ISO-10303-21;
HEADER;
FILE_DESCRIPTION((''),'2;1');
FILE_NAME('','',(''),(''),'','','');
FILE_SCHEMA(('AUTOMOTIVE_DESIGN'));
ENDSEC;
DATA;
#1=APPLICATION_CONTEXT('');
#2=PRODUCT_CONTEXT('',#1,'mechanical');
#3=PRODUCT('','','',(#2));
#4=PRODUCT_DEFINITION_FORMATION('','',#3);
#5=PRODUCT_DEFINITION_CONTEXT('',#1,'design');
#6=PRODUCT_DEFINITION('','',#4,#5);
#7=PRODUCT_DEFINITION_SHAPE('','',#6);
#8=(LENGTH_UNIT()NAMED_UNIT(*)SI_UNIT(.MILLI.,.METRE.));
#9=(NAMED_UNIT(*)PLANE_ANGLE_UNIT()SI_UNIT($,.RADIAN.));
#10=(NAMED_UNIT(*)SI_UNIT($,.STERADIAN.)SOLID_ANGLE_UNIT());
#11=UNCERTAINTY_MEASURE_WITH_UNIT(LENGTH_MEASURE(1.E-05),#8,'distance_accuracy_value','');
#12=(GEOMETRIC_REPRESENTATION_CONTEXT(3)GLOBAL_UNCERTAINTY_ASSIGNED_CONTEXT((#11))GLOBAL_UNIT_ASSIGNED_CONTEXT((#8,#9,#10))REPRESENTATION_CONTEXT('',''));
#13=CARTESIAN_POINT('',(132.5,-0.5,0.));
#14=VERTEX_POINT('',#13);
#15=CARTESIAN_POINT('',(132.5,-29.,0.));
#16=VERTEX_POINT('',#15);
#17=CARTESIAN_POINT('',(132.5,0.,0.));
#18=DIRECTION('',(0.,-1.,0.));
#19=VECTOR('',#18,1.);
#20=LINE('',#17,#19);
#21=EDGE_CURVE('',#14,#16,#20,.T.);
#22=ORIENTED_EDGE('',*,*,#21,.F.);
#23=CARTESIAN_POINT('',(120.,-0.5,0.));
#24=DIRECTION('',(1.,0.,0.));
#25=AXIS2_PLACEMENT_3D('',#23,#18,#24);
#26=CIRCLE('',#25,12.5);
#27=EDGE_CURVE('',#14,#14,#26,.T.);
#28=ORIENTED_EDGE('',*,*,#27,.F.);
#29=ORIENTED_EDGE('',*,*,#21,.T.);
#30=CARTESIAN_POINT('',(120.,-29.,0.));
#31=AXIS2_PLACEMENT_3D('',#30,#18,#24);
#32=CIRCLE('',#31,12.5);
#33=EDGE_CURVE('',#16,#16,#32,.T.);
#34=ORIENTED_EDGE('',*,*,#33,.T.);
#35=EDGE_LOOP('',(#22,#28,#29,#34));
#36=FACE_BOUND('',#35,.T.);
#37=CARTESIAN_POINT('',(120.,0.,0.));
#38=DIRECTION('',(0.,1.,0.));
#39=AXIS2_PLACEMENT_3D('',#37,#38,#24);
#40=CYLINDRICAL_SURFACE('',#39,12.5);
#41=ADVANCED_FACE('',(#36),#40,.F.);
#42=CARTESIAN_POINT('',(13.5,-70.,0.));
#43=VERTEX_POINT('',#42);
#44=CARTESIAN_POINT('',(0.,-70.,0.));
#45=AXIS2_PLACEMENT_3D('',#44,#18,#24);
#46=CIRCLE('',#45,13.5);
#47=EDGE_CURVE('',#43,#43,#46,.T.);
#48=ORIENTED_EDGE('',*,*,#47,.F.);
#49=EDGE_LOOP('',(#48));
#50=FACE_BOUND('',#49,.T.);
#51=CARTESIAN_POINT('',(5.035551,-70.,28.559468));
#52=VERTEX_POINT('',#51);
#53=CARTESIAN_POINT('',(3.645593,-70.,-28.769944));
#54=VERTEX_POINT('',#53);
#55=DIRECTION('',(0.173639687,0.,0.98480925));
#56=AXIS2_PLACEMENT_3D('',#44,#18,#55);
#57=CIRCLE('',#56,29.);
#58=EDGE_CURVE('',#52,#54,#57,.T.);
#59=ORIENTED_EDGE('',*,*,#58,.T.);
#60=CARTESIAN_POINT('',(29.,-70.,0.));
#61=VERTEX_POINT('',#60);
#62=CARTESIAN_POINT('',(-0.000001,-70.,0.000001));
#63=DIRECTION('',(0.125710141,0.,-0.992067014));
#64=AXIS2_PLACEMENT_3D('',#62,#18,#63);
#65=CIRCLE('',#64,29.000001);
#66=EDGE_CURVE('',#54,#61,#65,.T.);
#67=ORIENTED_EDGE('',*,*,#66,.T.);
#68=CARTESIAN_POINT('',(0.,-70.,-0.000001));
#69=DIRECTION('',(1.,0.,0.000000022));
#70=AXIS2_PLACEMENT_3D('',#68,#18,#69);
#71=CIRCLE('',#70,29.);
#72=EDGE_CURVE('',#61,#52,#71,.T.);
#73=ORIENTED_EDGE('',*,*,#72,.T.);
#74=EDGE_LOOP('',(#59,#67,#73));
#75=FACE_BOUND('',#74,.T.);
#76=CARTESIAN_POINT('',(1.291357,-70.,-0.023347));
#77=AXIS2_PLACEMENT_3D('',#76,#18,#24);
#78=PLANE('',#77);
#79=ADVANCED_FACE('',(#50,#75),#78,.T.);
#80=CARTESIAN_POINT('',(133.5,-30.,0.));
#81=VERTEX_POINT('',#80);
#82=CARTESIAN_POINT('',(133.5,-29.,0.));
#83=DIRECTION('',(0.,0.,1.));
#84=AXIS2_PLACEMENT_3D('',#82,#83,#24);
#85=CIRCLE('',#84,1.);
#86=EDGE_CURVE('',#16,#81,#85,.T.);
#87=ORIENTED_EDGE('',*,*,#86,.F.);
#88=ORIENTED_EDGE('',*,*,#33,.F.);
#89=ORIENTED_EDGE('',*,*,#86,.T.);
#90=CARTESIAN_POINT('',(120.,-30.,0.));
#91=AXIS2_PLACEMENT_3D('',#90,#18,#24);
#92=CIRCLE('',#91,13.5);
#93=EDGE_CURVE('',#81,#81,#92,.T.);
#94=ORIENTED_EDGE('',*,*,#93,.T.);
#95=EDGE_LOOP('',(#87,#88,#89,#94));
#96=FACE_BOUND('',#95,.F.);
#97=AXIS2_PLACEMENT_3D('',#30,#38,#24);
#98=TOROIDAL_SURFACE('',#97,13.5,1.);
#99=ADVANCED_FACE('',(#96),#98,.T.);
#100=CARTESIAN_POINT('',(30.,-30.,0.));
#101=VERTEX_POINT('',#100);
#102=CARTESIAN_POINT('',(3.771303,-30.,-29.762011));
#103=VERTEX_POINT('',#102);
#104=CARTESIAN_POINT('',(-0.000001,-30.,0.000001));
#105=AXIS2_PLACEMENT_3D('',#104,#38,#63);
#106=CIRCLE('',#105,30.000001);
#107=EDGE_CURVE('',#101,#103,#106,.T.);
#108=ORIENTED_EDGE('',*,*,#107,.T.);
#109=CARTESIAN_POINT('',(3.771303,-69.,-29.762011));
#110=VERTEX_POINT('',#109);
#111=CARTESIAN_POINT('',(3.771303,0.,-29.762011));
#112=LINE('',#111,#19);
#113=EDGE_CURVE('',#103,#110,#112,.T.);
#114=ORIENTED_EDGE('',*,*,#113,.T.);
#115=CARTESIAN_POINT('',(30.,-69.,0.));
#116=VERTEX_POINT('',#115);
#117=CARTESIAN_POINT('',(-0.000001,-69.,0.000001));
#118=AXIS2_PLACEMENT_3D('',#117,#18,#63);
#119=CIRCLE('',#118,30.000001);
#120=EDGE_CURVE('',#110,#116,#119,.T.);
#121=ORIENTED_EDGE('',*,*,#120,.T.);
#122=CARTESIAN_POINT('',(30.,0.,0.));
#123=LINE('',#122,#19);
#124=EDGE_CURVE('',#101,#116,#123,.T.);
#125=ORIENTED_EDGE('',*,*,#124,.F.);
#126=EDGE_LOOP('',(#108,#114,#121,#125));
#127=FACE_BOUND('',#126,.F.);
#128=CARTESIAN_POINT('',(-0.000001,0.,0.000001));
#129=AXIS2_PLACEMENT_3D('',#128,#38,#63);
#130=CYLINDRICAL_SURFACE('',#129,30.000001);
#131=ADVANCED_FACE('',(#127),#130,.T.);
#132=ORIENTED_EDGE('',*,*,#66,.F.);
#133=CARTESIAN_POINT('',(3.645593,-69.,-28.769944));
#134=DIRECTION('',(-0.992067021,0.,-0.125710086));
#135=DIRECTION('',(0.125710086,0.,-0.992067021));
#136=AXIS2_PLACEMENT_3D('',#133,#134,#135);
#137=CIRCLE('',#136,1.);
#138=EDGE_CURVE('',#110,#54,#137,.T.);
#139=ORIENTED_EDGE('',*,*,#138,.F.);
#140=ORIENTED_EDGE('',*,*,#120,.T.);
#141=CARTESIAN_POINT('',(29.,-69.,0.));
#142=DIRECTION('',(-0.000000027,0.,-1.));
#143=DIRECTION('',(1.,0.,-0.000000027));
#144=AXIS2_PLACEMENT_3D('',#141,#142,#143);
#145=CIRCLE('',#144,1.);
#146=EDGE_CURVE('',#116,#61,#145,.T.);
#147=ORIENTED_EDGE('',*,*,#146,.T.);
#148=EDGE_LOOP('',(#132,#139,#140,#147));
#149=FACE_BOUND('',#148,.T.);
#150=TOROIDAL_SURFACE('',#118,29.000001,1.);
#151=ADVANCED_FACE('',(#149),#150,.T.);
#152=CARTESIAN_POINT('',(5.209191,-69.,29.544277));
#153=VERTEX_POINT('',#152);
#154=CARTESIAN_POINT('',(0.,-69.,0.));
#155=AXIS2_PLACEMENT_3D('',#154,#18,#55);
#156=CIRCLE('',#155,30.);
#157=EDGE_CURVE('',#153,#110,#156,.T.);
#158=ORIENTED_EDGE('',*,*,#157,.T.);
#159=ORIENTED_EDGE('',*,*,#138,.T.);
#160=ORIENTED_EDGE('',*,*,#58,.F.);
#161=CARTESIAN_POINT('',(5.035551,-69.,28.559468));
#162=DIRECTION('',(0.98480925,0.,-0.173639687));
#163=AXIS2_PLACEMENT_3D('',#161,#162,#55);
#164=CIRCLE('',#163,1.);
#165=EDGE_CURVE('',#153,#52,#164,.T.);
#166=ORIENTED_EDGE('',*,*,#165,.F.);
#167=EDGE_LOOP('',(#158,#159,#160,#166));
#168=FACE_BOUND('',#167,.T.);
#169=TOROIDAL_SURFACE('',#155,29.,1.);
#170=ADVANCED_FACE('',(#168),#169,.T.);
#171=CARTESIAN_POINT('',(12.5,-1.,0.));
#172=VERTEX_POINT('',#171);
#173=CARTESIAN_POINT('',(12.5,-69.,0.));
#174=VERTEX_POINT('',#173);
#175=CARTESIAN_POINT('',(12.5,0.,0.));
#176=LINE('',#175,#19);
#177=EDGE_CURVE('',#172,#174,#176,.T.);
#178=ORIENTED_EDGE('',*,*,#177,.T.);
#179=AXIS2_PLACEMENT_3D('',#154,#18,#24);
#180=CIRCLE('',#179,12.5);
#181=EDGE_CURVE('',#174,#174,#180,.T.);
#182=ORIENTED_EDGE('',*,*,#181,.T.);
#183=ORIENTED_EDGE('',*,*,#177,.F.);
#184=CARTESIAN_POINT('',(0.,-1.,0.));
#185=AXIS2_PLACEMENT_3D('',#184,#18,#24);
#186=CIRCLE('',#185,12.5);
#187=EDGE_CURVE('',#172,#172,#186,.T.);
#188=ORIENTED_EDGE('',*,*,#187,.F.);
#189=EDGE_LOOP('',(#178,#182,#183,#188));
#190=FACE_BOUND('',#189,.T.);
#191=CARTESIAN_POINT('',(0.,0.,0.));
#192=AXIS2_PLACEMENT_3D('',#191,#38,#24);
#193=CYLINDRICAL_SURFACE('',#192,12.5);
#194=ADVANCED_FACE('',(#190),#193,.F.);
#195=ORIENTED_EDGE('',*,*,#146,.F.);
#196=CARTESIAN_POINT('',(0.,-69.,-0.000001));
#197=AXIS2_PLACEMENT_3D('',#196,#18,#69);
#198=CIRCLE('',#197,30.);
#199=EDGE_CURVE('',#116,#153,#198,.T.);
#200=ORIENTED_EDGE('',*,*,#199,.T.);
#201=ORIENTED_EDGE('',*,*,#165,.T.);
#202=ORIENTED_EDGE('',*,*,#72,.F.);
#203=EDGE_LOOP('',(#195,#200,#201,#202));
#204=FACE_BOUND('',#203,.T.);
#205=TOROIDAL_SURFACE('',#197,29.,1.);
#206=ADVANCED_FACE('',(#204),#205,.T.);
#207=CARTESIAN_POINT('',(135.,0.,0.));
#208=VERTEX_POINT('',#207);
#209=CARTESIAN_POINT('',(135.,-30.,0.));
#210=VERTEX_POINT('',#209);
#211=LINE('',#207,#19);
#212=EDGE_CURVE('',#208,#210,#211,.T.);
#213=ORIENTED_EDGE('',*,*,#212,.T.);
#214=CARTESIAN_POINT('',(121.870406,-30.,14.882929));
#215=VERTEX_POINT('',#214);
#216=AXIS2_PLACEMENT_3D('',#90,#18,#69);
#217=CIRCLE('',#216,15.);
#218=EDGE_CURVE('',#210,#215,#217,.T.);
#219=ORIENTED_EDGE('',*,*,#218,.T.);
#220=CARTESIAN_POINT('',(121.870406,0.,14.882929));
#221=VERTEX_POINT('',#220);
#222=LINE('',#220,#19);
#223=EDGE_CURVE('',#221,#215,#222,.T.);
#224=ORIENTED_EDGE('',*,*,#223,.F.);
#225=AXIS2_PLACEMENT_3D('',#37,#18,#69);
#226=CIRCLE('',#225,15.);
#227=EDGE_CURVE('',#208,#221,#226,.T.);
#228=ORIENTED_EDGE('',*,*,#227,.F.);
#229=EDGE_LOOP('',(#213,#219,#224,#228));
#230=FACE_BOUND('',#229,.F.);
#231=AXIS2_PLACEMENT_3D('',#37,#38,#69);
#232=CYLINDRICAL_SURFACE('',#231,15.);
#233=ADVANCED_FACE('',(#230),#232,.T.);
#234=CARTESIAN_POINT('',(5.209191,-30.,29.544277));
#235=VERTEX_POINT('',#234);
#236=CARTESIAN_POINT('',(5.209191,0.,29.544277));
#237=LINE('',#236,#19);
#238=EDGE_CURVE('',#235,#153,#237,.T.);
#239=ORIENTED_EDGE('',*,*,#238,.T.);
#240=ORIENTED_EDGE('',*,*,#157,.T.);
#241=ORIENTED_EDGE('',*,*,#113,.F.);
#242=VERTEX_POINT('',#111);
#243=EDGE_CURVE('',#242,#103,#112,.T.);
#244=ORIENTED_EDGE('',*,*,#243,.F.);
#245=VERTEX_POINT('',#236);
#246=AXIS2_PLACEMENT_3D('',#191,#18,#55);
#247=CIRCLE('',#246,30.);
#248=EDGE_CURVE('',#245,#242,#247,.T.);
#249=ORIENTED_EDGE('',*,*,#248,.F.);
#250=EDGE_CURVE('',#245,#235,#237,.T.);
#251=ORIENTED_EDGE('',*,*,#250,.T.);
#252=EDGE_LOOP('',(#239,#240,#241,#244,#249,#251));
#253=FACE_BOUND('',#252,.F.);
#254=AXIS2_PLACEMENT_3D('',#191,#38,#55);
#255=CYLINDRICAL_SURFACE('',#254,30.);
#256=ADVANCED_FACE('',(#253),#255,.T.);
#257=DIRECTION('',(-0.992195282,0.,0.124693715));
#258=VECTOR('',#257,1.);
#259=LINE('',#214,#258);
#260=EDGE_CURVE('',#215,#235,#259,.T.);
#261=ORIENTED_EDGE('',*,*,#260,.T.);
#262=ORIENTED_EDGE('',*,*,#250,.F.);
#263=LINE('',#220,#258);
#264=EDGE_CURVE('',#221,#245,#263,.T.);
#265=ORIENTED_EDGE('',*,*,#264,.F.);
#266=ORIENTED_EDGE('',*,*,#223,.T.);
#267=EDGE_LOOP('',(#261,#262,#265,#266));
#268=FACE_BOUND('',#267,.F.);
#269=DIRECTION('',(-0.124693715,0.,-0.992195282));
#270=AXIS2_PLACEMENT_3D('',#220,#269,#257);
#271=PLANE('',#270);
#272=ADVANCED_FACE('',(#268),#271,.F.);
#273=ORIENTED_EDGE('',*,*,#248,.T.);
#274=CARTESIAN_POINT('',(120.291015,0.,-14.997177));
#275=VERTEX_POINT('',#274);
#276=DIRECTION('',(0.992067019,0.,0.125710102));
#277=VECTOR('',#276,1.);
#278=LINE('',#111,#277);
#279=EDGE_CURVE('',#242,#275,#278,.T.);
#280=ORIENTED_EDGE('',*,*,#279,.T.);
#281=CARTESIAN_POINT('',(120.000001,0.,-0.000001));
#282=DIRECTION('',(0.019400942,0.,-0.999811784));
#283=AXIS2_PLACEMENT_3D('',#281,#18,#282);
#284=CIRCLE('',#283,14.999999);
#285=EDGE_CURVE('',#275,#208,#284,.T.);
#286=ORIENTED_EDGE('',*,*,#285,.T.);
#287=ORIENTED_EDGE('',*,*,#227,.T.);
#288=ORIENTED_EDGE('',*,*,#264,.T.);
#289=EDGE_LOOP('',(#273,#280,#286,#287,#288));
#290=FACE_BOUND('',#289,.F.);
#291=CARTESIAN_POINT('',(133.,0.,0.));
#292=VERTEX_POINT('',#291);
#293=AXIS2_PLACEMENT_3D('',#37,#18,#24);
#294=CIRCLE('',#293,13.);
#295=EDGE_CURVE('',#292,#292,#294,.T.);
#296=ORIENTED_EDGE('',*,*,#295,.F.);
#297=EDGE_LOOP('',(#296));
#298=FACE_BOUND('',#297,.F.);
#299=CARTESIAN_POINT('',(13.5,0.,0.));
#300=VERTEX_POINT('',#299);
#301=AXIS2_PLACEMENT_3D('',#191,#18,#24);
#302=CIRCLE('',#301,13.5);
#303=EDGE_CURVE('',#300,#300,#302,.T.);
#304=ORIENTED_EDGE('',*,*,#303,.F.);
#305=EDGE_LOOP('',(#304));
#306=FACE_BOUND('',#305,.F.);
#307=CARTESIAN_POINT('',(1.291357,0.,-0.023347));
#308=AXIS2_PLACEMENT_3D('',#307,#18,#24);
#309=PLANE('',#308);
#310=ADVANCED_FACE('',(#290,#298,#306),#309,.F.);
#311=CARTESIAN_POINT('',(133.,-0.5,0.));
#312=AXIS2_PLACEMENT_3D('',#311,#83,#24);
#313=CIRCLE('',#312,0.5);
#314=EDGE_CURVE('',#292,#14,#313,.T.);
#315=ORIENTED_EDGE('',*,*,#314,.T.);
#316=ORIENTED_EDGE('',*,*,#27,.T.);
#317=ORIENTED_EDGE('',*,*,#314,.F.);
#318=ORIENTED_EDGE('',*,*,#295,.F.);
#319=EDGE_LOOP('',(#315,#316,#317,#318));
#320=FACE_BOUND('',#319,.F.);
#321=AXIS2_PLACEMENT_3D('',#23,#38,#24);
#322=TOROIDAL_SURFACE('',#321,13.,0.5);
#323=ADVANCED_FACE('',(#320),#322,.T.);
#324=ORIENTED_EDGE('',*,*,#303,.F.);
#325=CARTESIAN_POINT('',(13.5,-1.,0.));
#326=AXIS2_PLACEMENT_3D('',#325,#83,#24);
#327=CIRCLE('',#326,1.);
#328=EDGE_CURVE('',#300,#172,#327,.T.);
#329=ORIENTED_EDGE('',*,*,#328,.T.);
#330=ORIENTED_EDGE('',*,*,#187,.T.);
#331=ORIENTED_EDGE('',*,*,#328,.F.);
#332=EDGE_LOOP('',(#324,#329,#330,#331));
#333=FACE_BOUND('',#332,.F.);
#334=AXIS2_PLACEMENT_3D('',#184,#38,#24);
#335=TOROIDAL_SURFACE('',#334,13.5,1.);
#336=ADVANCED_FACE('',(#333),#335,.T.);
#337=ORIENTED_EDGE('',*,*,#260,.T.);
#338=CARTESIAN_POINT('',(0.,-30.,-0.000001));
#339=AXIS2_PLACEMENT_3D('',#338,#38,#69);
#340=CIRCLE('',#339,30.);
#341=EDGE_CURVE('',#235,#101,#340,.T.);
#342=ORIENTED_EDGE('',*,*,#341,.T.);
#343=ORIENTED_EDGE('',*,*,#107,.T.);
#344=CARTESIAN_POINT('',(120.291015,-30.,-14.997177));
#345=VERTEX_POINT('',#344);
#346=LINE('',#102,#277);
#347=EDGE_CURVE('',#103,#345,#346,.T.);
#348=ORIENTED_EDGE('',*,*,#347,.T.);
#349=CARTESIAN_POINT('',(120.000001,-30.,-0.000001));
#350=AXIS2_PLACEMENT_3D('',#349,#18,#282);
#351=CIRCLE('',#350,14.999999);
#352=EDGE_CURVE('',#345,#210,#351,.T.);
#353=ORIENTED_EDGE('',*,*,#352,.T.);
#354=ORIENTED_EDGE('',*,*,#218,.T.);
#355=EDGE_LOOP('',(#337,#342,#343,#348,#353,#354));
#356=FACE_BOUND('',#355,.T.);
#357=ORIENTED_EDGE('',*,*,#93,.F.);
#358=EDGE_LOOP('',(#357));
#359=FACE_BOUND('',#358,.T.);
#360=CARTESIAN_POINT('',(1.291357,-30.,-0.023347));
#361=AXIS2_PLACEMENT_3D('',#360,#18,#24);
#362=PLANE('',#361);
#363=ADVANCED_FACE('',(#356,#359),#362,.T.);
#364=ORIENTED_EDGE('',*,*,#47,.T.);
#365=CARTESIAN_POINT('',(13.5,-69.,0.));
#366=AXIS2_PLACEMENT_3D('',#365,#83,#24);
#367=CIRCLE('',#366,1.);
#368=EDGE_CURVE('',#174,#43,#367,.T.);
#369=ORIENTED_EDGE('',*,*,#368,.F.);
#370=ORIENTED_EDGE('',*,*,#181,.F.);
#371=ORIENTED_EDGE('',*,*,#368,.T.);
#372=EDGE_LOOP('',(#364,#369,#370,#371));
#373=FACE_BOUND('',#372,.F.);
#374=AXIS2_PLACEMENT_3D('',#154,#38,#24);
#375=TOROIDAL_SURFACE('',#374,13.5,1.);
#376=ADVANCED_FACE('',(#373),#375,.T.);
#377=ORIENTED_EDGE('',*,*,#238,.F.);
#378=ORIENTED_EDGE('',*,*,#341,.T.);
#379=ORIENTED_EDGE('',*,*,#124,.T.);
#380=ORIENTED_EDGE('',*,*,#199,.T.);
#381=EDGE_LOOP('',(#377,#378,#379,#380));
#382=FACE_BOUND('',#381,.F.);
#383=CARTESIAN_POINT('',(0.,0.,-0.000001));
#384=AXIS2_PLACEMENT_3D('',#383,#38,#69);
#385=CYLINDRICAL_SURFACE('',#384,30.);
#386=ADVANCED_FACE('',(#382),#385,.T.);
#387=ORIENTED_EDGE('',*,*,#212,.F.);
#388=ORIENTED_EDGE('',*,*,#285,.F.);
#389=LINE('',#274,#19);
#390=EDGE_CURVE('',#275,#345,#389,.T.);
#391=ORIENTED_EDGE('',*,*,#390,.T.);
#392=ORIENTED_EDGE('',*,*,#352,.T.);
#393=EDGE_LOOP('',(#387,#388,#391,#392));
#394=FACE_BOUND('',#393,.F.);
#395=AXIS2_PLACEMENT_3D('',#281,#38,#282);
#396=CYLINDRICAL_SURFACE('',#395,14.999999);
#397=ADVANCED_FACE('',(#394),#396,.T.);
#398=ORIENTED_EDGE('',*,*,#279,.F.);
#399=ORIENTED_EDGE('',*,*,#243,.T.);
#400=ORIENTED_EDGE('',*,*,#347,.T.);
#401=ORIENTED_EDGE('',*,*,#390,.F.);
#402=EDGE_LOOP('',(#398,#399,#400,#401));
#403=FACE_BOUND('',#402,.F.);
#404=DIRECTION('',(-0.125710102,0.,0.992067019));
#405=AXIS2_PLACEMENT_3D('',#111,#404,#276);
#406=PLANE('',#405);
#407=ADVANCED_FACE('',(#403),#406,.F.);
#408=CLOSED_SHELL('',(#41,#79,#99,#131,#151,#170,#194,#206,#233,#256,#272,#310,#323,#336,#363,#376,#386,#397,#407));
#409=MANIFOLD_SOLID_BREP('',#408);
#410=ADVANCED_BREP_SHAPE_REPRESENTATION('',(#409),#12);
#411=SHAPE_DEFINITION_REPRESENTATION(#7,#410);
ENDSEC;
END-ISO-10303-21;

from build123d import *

# Parameters (mm, degrees)
F0_R     = 12.5
F1_DEPTH = 30
F2_DEPTH = 70
F3_R     = 1
F4_R     = 1
F5_R     = 0.5


with BuildPart() as f1:
    # F0 (on Front) → F1 (new body)
    with BuildSketch(Plane.XZ):
        with BuildLine():
            ThreePointArc((3.771303, -29.762011), (22.5071, -19.835081), (30, 0))
            ThreePointArc((30, 0), (22.98125, 19.283727), (5.209191, 29.544277))
            ThreePointArc((5.209191, 29.544277), (-29.991186, 0.72714), (3.771303, -29.762011))
        make_face()
        Circle(F0_R, mode=Mode.SUBTRACT)
        with BuildLine():
            ThreePointArc((5.209191, 29.544277), (22.98125, 19.283727), (30, 0))
            ThreePointArc((30, 0), (22.5071, -19.835081), (3.771303, -29.762011))
            Line((3.771303, -29.762011), (120.291015, -14.997177))
            ThreePointArc((120.291015, -14.997177), (105.020911, 0.791759), (121.870406, 14.882929))
            Line((121.870406, 14.882929), (5.209191, 29.544277))
        make_face()
        with BuildLine():
            ThreePointArc((135, 0), (131.248468, 9.923304), (121.870406, 14.882929))
            ThreePointArc((121.870406, 14.882929), (105.020911, 0.791759), (120.291015, -14.997177))
            ThreePointArc((120.291015, -14.997177), (130.708997, -10.503209), (135, 0))
        make_face()
        with Locations((120, 0)):
            Circle(F0_R, mode=Mode.SUBTRACT)
    extrude(amount=F1_DEPTH)

    # F0 (on Front) → F2 (join)
    with BuildSketch(Plane.XZ):
        with BuildLine():
            ThreePointArc((3.771303, -29.762011), (22.5071, -19.835081), (30, 0))
            ThreePointArc((30, 0), (22.98125, 19.283727), (5.209191, 29.544277))
            ThreePointArc((5.209191, 29.544277), (-29.991186, 0.72714), (3.771303, -29.762011))
        make_face()
        Circle(F0_R, mode=Mode.SUBTRACT)
    extrude(amount=F2_DEPTH)

    # F3
    f3_edges = [f1.edges().sort_by_distance(p)[0] for p in [
        (-3.771303, -70, 29.762011),
        (-12.5, -70, 0),
        (107.5, -30, 0),
    ]]
    fillet(f3_edges, radius=F3_R)

    # F4
    f4_edges = [f1.edges().sort_by_distance(p)[0] for p in [
        (-12.5, 0, 0),
    ]]
    fillet(f4_edges, radius=F4_R)

    # F5
    f5_edges = [f1.edges().sort_by_distance(p)[0] for p in [
        (107.5, 0, 0),
    ]]
    fillet(f5_edges, radius=F5_R)


solid = f1.part
